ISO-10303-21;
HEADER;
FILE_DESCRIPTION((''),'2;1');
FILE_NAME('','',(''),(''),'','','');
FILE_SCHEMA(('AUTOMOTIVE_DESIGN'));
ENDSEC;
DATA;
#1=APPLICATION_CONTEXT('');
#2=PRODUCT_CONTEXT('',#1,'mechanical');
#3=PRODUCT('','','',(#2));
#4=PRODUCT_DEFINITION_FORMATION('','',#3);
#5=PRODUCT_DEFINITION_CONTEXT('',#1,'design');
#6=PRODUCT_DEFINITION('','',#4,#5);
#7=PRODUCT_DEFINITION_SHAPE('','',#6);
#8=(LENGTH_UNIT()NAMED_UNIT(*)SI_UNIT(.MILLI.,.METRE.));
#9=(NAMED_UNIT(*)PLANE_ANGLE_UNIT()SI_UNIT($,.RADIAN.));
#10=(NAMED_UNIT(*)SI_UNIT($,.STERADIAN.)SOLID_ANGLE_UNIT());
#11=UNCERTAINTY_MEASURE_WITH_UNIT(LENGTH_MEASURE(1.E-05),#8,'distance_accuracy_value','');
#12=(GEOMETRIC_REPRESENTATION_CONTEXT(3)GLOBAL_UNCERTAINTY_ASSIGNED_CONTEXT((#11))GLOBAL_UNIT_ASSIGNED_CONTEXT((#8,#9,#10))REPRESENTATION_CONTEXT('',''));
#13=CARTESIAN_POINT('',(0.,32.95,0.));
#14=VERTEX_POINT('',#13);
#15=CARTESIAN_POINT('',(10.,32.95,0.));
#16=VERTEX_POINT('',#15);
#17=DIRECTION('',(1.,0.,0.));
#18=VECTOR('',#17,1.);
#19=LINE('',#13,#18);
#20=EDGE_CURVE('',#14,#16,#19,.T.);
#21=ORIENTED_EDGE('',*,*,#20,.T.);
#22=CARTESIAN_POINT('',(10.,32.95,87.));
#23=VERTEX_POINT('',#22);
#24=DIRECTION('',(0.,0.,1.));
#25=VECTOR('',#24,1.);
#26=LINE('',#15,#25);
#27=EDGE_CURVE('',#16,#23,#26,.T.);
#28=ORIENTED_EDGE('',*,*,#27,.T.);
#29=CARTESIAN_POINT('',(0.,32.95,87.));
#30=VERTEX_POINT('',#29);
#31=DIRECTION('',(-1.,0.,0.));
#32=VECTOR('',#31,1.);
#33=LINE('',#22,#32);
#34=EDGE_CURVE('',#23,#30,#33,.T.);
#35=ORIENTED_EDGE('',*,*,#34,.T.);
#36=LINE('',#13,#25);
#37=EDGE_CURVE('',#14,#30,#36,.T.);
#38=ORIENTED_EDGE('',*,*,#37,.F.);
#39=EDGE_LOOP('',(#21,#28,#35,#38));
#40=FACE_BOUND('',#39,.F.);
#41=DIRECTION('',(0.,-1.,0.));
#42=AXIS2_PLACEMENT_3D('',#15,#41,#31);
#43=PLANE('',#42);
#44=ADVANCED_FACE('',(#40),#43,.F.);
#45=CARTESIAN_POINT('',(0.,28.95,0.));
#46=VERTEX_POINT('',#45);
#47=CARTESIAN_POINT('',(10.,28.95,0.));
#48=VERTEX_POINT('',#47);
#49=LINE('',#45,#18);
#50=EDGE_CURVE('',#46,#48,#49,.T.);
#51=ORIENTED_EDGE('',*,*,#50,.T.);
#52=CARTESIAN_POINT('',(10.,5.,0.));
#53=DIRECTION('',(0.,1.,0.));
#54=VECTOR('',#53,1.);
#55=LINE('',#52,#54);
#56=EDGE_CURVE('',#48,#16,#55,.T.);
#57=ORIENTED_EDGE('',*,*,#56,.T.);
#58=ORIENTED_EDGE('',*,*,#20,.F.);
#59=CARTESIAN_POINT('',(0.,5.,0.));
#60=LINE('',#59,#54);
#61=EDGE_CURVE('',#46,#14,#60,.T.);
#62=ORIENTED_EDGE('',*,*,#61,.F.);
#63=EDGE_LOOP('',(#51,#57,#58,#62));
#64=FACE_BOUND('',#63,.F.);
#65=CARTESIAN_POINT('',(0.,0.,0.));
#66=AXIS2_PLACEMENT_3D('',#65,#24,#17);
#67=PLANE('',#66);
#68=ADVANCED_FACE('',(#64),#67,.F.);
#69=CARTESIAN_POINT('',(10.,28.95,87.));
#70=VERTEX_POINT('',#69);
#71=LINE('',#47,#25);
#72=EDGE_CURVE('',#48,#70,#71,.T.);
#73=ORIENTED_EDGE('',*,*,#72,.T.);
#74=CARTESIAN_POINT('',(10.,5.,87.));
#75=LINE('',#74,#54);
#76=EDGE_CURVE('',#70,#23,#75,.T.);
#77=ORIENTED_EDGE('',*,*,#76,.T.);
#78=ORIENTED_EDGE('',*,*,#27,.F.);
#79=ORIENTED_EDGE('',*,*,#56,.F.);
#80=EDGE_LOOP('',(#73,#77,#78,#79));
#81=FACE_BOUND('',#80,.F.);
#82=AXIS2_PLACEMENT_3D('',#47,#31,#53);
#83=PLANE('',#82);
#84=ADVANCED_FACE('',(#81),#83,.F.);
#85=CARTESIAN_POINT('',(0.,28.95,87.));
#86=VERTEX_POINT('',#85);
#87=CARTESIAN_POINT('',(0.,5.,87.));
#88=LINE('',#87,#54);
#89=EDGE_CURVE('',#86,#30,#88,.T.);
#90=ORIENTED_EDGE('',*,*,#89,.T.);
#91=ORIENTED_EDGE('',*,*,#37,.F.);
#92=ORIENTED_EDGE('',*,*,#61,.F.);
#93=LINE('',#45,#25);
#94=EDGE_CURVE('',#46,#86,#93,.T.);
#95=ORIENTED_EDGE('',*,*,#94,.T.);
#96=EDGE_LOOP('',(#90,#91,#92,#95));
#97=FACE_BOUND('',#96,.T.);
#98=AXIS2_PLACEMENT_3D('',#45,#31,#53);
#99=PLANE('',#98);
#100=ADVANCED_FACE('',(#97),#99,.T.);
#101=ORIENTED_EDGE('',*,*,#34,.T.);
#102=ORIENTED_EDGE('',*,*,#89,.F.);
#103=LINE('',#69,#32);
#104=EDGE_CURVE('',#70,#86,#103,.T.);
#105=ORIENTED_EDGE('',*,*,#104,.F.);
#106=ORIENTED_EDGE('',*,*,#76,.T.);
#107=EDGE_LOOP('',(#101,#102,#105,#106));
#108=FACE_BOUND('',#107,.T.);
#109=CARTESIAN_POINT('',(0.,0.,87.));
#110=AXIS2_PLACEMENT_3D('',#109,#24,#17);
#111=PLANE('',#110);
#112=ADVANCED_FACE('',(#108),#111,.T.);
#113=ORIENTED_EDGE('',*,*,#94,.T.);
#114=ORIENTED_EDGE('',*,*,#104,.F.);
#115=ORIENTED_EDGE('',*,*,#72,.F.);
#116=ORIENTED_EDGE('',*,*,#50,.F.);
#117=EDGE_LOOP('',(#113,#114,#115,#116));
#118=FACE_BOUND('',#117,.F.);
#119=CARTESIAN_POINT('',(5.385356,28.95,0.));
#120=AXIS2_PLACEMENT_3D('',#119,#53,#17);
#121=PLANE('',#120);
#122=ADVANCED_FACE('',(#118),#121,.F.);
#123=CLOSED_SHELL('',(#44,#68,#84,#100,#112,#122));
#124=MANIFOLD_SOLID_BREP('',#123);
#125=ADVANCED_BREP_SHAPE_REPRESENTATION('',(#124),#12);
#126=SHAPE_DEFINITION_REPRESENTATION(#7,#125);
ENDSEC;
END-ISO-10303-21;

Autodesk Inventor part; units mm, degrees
ref_plane "YZ Plane" through (0, 0, 0) normal (1, 0, 0) x (0, 1, 0)
ref_plane "XZ Plane" through (0, 0, 0) normal (0, 1, 0) x (-1, 0, 0)
ref_plane "Plano de trabajo1" through (0, 0, 0) normal (0, 0, 1) x (1, 0, 0)
sketch "Boceto1" plane through (0, 0, 0) normal (0, 0, 1) x (1, 0, 0)
  line L0 (10, 5) -> (0, 5) projected
  line L1 (10, 5) -> (10, 56.9) projected
  line L2 (0, 56.9) -> (10, 56.9) projected
  line L3 (0, 5) -> (0, 56.9) projected
  line L4 (10, 5) -> (0, 56.9)
  line L5 (10, 32.95) -> (0, 32.95)
  line L6 (0, 32.95) -> (0, 28.95)
  line L7 (0, 28.95) -> (10, 28.95)
  line L8 (10, 28.95) -> (10, 32.95)
  line L9 (10, 32.95) -> (0, 28.95) construction
  line L10 (0, 32.95) -> (10, 28.95) construction
  point P0 (0, 0)
  point P1 (5, 30.95)
  point P2 (0, 32.95)
  dimension "d0" = 10
  dimension "d1" = 4
ref_plane "Plano de trabajo2" through (0, 5.3078, 87) normal (0, 0, -1) x (0, 1, 0)
extrude "Extrusión1" add sketch "Boceto1" along normal up to surface (87 mm away) contours L7 L4 L5 L1 | L7 L3 L5 L4
properties part number "Tirante"
